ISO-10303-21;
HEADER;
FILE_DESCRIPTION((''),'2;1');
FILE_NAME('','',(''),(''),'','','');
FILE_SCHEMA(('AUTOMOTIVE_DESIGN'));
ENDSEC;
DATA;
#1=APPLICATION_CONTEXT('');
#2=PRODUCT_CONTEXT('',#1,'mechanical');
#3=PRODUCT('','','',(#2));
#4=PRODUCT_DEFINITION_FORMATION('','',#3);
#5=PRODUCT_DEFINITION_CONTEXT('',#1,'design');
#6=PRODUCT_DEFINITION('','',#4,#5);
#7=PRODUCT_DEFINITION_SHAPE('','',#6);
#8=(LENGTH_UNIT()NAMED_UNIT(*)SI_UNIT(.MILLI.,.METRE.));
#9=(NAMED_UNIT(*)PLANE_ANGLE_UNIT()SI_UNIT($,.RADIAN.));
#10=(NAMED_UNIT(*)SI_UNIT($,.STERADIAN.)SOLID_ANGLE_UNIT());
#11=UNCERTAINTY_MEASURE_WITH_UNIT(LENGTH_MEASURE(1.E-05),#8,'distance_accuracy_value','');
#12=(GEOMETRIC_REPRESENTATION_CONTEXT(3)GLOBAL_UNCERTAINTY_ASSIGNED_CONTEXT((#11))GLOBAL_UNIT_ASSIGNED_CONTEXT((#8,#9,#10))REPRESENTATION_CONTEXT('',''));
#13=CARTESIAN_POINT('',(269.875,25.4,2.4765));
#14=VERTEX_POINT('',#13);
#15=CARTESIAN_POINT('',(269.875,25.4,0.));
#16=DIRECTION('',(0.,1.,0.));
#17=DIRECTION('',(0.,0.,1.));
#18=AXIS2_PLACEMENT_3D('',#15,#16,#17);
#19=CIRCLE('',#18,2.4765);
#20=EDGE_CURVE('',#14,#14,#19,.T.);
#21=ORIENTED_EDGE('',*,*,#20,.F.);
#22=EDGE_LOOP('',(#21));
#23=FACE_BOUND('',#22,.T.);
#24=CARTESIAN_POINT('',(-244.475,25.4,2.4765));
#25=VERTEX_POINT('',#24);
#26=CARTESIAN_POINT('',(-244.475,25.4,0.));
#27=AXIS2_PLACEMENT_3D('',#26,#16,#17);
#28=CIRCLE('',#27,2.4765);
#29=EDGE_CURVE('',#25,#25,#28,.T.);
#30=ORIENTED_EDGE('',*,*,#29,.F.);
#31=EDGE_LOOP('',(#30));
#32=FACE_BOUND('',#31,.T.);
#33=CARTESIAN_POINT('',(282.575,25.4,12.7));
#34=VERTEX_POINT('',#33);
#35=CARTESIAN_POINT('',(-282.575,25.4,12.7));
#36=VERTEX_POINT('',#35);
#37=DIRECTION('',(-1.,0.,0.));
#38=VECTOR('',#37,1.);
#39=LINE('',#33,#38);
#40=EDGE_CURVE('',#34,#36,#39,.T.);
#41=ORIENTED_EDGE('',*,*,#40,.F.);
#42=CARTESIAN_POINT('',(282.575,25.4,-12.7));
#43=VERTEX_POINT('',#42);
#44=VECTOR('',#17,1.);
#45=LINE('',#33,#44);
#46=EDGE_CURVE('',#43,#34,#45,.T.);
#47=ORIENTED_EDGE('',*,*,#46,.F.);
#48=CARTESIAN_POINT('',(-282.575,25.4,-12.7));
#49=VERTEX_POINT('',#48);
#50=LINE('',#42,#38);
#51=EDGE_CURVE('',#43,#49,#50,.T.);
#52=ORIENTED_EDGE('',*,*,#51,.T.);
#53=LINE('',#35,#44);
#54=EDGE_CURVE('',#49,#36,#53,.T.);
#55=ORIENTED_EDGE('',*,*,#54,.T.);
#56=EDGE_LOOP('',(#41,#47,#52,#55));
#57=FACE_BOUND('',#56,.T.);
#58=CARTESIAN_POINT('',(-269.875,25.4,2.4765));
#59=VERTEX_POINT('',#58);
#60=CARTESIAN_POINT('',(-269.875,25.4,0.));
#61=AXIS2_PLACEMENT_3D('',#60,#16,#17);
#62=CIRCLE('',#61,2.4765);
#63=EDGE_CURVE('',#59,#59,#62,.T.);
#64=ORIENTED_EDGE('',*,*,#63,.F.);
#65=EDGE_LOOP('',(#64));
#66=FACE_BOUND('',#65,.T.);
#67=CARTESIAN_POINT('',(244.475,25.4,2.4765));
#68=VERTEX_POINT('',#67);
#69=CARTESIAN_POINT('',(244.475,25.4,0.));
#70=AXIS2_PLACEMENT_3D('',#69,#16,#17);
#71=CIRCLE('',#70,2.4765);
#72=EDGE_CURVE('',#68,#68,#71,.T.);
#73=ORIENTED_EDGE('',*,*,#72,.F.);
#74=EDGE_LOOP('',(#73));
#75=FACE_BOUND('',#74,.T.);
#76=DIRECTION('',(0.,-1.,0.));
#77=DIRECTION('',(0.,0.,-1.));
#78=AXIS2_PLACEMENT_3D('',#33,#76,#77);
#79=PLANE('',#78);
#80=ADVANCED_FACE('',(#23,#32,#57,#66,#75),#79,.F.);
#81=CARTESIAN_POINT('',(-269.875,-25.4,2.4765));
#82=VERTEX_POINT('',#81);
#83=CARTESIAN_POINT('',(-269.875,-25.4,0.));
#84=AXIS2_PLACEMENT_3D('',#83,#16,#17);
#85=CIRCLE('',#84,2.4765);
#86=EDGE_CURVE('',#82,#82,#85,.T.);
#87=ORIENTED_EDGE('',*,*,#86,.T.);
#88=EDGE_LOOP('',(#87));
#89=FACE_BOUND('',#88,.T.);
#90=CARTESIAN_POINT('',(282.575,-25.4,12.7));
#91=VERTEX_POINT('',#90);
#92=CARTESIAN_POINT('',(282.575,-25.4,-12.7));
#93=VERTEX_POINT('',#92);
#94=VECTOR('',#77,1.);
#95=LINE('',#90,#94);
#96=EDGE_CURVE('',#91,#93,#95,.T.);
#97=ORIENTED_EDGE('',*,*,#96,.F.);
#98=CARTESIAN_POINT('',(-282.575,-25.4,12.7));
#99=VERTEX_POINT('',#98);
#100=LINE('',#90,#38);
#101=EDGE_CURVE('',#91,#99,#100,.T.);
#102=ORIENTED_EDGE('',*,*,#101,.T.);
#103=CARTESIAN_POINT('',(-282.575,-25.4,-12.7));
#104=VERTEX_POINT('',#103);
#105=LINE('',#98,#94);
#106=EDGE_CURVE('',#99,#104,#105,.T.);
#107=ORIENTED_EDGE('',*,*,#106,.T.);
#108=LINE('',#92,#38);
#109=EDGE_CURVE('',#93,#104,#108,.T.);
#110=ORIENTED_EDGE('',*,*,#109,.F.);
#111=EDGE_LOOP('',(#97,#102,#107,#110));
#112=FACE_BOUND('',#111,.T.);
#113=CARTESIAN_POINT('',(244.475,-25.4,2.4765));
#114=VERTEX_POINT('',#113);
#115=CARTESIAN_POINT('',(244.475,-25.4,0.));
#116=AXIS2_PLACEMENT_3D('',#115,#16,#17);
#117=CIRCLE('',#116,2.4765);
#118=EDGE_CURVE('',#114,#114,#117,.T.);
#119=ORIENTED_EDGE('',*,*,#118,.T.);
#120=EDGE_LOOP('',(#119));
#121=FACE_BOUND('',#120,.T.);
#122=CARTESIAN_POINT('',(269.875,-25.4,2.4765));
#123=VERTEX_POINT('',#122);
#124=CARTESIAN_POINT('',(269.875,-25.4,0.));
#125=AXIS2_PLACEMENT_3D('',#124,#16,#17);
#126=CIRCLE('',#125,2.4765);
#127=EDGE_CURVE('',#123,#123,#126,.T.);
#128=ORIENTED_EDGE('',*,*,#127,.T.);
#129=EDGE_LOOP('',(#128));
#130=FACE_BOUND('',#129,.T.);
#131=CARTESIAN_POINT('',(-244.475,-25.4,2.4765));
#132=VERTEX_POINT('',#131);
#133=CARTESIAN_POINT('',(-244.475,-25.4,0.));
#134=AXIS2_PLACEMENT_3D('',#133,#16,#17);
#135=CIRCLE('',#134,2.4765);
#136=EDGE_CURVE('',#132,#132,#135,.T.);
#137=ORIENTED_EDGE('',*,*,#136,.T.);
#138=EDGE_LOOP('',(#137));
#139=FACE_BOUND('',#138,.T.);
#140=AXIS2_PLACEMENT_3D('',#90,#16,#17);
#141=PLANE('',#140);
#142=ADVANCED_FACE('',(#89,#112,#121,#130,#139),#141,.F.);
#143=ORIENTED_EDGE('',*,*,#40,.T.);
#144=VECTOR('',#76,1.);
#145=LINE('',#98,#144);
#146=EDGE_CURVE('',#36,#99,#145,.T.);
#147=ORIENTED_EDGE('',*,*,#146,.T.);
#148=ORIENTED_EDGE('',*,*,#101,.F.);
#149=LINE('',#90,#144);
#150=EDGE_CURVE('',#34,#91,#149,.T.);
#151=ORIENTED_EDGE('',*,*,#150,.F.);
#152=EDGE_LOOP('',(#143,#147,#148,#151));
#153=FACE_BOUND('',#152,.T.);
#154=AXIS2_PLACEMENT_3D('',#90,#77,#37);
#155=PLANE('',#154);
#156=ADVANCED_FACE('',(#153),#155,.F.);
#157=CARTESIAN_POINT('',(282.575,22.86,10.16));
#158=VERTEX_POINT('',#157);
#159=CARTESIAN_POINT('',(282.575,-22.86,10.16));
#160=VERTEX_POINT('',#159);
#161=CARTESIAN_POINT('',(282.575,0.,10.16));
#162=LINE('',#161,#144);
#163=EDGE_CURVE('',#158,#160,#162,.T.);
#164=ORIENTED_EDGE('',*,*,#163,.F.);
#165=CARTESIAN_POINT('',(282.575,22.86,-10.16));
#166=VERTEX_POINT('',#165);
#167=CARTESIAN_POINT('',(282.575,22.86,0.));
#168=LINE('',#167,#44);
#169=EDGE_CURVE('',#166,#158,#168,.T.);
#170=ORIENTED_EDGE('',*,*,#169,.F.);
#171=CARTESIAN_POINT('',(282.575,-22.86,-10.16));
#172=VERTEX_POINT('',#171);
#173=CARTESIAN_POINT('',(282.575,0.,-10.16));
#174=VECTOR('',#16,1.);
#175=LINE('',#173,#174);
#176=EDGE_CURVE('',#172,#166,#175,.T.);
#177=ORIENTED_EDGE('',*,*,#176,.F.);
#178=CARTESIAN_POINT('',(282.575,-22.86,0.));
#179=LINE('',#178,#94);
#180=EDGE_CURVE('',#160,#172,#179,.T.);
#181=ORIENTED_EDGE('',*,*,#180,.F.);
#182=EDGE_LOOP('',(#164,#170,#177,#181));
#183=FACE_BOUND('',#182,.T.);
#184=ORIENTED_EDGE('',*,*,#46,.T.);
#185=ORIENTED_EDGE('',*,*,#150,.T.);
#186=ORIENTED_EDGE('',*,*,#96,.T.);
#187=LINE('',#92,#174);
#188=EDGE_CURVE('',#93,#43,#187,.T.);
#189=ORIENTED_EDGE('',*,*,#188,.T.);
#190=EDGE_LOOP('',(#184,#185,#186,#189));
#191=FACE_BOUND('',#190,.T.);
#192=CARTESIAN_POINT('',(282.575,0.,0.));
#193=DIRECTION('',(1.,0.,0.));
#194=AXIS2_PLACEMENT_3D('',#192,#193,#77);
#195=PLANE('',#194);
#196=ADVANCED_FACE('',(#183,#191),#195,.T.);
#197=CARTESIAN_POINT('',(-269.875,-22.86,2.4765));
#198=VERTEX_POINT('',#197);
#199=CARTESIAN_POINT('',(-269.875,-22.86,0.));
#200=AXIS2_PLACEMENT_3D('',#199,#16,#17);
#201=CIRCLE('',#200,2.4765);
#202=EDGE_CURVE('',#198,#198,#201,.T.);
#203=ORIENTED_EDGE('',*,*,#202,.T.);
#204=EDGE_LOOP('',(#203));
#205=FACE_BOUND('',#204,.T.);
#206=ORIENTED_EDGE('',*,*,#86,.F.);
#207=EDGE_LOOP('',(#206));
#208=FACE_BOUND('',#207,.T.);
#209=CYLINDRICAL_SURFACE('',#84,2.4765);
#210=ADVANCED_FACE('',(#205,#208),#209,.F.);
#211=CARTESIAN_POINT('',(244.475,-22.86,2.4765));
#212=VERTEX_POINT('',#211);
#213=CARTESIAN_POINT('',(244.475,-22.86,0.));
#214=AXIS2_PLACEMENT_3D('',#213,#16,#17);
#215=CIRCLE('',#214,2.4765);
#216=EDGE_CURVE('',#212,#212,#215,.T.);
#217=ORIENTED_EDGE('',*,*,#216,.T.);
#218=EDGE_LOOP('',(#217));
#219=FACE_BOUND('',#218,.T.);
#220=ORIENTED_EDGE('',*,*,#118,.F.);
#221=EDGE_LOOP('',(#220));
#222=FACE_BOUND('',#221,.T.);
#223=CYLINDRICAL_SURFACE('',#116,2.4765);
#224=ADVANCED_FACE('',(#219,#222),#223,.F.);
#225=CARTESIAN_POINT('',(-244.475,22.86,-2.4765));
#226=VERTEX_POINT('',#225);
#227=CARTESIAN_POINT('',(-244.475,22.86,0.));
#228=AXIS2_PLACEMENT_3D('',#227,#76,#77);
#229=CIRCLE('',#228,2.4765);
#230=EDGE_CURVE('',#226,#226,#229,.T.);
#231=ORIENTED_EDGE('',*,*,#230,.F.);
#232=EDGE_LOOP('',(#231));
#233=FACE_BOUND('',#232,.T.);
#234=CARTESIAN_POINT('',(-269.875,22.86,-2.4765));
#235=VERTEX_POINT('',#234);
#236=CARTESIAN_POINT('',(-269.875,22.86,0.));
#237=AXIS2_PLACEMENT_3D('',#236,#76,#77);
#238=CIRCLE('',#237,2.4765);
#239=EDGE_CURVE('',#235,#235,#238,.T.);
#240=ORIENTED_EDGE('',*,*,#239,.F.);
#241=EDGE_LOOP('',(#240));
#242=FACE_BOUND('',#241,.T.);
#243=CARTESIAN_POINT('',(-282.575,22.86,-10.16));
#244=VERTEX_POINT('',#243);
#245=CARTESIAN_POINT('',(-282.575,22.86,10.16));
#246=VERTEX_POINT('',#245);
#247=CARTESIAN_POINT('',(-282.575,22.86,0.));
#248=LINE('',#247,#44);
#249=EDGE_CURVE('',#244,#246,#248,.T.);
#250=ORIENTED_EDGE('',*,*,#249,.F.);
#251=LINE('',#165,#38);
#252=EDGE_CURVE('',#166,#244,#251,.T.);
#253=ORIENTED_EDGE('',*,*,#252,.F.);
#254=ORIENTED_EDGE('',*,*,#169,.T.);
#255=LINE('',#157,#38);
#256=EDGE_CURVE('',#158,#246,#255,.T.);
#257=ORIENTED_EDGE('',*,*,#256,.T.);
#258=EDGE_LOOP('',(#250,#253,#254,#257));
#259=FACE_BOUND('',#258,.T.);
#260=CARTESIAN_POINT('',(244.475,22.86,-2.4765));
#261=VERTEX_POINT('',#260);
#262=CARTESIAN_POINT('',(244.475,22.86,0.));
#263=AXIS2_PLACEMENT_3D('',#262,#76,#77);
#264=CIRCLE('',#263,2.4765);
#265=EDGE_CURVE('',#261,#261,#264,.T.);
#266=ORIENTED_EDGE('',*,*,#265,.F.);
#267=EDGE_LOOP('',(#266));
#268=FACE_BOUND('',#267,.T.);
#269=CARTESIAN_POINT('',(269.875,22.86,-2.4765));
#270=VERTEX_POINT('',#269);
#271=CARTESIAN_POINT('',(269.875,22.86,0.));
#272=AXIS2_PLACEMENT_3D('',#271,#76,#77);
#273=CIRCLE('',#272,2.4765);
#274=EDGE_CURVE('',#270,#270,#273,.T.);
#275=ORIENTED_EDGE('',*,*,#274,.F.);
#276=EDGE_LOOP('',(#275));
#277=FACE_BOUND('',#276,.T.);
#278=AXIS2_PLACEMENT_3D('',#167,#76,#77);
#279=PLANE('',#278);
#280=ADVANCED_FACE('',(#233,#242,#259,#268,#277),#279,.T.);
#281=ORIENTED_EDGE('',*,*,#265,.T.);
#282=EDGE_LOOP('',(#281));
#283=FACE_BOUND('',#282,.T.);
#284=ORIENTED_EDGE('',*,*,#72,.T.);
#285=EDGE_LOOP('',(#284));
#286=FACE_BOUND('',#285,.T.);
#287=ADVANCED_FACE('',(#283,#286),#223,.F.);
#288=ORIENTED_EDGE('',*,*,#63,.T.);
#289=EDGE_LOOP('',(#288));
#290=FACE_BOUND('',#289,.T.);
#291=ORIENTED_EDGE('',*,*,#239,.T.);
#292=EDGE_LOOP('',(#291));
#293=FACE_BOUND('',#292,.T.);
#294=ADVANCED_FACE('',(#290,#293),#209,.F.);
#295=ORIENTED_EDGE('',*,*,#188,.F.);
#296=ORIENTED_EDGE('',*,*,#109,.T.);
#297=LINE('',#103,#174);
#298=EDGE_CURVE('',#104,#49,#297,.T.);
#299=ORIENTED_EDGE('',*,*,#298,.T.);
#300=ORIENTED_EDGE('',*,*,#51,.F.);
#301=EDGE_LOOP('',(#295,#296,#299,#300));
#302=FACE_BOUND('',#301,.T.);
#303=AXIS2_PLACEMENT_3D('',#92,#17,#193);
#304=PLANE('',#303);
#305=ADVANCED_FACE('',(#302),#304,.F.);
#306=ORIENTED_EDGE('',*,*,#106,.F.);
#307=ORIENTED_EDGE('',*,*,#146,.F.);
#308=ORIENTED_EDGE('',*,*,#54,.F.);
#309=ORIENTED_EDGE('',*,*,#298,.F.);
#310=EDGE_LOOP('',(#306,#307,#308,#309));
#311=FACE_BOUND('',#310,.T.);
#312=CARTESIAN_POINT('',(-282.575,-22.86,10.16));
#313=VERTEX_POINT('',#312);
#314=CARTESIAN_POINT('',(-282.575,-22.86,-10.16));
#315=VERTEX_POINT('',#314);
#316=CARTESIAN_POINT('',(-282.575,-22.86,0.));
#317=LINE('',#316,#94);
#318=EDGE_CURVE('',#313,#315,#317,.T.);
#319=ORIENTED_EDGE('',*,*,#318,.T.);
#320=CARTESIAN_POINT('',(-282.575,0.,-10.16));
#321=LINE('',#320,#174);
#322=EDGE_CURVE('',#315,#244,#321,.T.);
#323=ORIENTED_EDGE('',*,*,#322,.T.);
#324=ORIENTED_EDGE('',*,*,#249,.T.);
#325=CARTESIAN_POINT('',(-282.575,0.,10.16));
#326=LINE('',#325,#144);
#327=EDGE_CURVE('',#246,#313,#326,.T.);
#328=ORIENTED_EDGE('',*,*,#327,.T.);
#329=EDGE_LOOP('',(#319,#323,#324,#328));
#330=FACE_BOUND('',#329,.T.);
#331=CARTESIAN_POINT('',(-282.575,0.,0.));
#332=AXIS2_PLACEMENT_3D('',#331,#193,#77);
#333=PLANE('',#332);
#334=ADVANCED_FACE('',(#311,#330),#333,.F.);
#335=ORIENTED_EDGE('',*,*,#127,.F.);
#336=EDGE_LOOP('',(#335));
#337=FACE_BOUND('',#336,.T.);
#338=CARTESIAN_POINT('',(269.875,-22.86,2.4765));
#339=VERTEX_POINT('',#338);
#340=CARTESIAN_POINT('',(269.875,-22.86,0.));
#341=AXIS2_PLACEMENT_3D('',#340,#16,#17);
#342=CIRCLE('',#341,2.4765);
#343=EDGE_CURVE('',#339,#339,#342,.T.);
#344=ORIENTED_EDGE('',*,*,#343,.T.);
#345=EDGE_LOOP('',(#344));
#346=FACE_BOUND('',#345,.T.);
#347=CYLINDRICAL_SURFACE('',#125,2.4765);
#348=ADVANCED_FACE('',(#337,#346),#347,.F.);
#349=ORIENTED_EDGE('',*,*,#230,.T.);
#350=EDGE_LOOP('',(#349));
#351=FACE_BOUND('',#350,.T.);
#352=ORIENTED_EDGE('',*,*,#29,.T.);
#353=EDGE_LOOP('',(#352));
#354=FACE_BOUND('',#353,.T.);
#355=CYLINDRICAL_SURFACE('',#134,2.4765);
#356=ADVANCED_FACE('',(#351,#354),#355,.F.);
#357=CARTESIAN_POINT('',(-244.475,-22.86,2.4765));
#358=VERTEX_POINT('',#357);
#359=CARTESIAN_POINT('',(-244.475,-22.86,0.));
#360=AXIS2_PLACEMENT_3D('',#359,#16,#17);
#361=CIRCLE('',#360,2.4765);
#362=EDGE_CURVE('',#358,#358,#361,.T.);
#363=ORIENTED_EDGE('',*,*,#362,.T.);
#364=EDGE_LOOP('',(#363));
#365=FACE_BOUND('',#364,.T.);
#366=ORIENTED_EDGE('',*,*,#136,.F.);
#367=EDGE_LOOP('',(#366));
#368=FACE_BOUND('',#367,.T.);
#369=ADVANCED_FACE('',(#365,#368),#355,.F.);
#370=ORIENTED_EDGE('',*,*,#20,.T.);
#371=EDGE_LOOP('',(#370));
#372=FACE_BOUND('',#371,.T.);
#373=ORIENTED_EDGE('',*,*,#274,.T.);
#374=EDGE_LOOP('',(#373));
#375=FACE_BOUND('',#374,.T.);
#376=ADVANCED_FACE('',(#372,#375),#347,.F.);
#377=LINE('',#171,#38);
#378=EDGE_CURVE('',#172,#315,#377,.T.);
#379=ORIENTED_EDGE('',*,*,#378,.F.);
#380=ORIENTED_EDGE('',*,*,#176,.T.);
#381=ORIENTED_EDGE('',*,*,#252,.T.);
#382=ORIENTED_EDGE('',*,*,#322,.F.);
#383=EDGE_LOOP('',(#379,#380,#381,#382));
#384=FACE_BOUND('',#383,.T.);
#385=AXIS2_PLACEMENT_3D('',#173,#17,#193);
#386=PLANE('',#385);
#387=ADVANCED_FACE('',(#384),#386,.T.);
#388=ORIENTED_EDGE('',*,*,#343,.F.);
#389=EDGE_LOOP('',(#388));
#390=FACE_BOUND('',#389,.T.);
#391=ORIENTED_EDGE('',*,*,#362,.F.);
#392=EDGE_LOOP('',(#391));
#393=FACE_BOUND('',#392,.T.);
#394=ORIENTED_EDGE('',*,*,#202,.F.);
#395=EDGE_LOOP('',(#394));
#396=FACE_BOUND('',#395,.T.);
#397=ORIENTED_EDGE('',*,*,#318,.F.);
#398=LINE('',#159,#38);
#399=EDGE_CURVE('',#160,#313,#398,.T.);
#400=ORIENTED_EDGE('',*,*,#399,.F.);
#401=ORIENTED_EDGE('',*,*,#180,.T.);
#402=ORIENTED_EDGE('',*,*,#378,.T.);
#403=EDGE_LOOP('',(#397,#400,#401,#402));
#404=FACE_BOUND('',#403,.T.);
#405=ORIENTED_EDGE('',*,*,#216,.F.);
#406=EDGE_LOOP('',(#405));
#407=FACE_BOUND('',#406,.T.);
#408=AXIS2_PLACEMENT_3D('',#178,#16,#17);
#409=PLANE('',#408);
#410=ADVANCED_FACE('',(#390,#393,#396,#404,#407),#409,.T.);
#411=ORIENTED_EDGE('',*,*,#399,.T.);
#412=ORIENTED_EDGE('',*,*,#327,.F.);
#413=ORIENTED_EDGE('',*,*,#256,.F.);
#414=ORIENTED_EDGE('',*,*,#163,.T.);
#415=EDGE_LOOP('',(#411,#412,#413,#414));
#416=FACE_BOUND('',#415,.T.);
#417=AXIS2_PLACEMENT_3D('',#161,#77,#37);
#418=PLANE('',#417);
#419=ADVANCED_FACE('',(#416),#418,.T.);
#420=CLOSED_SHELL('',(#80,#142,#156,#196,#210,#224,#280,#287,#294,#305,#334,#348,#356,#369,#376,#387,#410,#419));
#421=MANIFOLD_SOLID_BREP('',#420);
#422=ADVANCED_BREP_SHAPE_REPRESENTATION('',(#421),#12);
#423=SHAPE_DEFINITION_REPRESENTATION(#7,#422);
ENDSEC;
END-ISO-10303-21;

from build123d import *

# Parameters (mm, degrees)
SKETCH1_W           = 25.4
SKETCH1_H           = 50.8
SKETCH1_W_2         = 20.32
SKETCH1_H_2         = 45.72
EXTRUDE_THIN1_DEPTH = 282.575
SKETCH2_R           = 2.4765
CUT_EXTRUDE1_DEPTH  = 51.8


with BuildPart() as part:
    # Sketch1 → Extrude-Thin1 (new body, symmetric)
    with BuildSketch(Plane(origin=(0, 0, 0), x_dir=(0, 0, -1), z_dir=(1, 0, 0))):
        Rectangle(SKETCH1_W, SKETCH1_H)
        Rectangle(SKETCH1_W_2, SKETCH1_H_2, mode=Mode.SUBTRACT)
    extrude(amount=EXTRUDE_THIN1_DEPTH, both=True)

    # Sketch2 → Cut-Extrude1 (cut, through all)
    with BuildSketch(Plane(origin=(0, 25.4, 0), x_dir=(1, 0, 0), z_dir=(0, 1, 0))):
        with Locations((-269.875, 0)):
            Circle(SKETCH2_R)
        with Locations((-244.475, 0)):
            Circle(SKETCH2_R)
        with Locations((269.875, 0)):
            Circle(SKETCH2_R)
        with Locations((244.475, 0)):
            Circle(SKETCH2_R)
    extrude(amount=-CUT_EXTRUDE1_DEPTH, mode=Mode.SUBTRACT)


solid = part.part
